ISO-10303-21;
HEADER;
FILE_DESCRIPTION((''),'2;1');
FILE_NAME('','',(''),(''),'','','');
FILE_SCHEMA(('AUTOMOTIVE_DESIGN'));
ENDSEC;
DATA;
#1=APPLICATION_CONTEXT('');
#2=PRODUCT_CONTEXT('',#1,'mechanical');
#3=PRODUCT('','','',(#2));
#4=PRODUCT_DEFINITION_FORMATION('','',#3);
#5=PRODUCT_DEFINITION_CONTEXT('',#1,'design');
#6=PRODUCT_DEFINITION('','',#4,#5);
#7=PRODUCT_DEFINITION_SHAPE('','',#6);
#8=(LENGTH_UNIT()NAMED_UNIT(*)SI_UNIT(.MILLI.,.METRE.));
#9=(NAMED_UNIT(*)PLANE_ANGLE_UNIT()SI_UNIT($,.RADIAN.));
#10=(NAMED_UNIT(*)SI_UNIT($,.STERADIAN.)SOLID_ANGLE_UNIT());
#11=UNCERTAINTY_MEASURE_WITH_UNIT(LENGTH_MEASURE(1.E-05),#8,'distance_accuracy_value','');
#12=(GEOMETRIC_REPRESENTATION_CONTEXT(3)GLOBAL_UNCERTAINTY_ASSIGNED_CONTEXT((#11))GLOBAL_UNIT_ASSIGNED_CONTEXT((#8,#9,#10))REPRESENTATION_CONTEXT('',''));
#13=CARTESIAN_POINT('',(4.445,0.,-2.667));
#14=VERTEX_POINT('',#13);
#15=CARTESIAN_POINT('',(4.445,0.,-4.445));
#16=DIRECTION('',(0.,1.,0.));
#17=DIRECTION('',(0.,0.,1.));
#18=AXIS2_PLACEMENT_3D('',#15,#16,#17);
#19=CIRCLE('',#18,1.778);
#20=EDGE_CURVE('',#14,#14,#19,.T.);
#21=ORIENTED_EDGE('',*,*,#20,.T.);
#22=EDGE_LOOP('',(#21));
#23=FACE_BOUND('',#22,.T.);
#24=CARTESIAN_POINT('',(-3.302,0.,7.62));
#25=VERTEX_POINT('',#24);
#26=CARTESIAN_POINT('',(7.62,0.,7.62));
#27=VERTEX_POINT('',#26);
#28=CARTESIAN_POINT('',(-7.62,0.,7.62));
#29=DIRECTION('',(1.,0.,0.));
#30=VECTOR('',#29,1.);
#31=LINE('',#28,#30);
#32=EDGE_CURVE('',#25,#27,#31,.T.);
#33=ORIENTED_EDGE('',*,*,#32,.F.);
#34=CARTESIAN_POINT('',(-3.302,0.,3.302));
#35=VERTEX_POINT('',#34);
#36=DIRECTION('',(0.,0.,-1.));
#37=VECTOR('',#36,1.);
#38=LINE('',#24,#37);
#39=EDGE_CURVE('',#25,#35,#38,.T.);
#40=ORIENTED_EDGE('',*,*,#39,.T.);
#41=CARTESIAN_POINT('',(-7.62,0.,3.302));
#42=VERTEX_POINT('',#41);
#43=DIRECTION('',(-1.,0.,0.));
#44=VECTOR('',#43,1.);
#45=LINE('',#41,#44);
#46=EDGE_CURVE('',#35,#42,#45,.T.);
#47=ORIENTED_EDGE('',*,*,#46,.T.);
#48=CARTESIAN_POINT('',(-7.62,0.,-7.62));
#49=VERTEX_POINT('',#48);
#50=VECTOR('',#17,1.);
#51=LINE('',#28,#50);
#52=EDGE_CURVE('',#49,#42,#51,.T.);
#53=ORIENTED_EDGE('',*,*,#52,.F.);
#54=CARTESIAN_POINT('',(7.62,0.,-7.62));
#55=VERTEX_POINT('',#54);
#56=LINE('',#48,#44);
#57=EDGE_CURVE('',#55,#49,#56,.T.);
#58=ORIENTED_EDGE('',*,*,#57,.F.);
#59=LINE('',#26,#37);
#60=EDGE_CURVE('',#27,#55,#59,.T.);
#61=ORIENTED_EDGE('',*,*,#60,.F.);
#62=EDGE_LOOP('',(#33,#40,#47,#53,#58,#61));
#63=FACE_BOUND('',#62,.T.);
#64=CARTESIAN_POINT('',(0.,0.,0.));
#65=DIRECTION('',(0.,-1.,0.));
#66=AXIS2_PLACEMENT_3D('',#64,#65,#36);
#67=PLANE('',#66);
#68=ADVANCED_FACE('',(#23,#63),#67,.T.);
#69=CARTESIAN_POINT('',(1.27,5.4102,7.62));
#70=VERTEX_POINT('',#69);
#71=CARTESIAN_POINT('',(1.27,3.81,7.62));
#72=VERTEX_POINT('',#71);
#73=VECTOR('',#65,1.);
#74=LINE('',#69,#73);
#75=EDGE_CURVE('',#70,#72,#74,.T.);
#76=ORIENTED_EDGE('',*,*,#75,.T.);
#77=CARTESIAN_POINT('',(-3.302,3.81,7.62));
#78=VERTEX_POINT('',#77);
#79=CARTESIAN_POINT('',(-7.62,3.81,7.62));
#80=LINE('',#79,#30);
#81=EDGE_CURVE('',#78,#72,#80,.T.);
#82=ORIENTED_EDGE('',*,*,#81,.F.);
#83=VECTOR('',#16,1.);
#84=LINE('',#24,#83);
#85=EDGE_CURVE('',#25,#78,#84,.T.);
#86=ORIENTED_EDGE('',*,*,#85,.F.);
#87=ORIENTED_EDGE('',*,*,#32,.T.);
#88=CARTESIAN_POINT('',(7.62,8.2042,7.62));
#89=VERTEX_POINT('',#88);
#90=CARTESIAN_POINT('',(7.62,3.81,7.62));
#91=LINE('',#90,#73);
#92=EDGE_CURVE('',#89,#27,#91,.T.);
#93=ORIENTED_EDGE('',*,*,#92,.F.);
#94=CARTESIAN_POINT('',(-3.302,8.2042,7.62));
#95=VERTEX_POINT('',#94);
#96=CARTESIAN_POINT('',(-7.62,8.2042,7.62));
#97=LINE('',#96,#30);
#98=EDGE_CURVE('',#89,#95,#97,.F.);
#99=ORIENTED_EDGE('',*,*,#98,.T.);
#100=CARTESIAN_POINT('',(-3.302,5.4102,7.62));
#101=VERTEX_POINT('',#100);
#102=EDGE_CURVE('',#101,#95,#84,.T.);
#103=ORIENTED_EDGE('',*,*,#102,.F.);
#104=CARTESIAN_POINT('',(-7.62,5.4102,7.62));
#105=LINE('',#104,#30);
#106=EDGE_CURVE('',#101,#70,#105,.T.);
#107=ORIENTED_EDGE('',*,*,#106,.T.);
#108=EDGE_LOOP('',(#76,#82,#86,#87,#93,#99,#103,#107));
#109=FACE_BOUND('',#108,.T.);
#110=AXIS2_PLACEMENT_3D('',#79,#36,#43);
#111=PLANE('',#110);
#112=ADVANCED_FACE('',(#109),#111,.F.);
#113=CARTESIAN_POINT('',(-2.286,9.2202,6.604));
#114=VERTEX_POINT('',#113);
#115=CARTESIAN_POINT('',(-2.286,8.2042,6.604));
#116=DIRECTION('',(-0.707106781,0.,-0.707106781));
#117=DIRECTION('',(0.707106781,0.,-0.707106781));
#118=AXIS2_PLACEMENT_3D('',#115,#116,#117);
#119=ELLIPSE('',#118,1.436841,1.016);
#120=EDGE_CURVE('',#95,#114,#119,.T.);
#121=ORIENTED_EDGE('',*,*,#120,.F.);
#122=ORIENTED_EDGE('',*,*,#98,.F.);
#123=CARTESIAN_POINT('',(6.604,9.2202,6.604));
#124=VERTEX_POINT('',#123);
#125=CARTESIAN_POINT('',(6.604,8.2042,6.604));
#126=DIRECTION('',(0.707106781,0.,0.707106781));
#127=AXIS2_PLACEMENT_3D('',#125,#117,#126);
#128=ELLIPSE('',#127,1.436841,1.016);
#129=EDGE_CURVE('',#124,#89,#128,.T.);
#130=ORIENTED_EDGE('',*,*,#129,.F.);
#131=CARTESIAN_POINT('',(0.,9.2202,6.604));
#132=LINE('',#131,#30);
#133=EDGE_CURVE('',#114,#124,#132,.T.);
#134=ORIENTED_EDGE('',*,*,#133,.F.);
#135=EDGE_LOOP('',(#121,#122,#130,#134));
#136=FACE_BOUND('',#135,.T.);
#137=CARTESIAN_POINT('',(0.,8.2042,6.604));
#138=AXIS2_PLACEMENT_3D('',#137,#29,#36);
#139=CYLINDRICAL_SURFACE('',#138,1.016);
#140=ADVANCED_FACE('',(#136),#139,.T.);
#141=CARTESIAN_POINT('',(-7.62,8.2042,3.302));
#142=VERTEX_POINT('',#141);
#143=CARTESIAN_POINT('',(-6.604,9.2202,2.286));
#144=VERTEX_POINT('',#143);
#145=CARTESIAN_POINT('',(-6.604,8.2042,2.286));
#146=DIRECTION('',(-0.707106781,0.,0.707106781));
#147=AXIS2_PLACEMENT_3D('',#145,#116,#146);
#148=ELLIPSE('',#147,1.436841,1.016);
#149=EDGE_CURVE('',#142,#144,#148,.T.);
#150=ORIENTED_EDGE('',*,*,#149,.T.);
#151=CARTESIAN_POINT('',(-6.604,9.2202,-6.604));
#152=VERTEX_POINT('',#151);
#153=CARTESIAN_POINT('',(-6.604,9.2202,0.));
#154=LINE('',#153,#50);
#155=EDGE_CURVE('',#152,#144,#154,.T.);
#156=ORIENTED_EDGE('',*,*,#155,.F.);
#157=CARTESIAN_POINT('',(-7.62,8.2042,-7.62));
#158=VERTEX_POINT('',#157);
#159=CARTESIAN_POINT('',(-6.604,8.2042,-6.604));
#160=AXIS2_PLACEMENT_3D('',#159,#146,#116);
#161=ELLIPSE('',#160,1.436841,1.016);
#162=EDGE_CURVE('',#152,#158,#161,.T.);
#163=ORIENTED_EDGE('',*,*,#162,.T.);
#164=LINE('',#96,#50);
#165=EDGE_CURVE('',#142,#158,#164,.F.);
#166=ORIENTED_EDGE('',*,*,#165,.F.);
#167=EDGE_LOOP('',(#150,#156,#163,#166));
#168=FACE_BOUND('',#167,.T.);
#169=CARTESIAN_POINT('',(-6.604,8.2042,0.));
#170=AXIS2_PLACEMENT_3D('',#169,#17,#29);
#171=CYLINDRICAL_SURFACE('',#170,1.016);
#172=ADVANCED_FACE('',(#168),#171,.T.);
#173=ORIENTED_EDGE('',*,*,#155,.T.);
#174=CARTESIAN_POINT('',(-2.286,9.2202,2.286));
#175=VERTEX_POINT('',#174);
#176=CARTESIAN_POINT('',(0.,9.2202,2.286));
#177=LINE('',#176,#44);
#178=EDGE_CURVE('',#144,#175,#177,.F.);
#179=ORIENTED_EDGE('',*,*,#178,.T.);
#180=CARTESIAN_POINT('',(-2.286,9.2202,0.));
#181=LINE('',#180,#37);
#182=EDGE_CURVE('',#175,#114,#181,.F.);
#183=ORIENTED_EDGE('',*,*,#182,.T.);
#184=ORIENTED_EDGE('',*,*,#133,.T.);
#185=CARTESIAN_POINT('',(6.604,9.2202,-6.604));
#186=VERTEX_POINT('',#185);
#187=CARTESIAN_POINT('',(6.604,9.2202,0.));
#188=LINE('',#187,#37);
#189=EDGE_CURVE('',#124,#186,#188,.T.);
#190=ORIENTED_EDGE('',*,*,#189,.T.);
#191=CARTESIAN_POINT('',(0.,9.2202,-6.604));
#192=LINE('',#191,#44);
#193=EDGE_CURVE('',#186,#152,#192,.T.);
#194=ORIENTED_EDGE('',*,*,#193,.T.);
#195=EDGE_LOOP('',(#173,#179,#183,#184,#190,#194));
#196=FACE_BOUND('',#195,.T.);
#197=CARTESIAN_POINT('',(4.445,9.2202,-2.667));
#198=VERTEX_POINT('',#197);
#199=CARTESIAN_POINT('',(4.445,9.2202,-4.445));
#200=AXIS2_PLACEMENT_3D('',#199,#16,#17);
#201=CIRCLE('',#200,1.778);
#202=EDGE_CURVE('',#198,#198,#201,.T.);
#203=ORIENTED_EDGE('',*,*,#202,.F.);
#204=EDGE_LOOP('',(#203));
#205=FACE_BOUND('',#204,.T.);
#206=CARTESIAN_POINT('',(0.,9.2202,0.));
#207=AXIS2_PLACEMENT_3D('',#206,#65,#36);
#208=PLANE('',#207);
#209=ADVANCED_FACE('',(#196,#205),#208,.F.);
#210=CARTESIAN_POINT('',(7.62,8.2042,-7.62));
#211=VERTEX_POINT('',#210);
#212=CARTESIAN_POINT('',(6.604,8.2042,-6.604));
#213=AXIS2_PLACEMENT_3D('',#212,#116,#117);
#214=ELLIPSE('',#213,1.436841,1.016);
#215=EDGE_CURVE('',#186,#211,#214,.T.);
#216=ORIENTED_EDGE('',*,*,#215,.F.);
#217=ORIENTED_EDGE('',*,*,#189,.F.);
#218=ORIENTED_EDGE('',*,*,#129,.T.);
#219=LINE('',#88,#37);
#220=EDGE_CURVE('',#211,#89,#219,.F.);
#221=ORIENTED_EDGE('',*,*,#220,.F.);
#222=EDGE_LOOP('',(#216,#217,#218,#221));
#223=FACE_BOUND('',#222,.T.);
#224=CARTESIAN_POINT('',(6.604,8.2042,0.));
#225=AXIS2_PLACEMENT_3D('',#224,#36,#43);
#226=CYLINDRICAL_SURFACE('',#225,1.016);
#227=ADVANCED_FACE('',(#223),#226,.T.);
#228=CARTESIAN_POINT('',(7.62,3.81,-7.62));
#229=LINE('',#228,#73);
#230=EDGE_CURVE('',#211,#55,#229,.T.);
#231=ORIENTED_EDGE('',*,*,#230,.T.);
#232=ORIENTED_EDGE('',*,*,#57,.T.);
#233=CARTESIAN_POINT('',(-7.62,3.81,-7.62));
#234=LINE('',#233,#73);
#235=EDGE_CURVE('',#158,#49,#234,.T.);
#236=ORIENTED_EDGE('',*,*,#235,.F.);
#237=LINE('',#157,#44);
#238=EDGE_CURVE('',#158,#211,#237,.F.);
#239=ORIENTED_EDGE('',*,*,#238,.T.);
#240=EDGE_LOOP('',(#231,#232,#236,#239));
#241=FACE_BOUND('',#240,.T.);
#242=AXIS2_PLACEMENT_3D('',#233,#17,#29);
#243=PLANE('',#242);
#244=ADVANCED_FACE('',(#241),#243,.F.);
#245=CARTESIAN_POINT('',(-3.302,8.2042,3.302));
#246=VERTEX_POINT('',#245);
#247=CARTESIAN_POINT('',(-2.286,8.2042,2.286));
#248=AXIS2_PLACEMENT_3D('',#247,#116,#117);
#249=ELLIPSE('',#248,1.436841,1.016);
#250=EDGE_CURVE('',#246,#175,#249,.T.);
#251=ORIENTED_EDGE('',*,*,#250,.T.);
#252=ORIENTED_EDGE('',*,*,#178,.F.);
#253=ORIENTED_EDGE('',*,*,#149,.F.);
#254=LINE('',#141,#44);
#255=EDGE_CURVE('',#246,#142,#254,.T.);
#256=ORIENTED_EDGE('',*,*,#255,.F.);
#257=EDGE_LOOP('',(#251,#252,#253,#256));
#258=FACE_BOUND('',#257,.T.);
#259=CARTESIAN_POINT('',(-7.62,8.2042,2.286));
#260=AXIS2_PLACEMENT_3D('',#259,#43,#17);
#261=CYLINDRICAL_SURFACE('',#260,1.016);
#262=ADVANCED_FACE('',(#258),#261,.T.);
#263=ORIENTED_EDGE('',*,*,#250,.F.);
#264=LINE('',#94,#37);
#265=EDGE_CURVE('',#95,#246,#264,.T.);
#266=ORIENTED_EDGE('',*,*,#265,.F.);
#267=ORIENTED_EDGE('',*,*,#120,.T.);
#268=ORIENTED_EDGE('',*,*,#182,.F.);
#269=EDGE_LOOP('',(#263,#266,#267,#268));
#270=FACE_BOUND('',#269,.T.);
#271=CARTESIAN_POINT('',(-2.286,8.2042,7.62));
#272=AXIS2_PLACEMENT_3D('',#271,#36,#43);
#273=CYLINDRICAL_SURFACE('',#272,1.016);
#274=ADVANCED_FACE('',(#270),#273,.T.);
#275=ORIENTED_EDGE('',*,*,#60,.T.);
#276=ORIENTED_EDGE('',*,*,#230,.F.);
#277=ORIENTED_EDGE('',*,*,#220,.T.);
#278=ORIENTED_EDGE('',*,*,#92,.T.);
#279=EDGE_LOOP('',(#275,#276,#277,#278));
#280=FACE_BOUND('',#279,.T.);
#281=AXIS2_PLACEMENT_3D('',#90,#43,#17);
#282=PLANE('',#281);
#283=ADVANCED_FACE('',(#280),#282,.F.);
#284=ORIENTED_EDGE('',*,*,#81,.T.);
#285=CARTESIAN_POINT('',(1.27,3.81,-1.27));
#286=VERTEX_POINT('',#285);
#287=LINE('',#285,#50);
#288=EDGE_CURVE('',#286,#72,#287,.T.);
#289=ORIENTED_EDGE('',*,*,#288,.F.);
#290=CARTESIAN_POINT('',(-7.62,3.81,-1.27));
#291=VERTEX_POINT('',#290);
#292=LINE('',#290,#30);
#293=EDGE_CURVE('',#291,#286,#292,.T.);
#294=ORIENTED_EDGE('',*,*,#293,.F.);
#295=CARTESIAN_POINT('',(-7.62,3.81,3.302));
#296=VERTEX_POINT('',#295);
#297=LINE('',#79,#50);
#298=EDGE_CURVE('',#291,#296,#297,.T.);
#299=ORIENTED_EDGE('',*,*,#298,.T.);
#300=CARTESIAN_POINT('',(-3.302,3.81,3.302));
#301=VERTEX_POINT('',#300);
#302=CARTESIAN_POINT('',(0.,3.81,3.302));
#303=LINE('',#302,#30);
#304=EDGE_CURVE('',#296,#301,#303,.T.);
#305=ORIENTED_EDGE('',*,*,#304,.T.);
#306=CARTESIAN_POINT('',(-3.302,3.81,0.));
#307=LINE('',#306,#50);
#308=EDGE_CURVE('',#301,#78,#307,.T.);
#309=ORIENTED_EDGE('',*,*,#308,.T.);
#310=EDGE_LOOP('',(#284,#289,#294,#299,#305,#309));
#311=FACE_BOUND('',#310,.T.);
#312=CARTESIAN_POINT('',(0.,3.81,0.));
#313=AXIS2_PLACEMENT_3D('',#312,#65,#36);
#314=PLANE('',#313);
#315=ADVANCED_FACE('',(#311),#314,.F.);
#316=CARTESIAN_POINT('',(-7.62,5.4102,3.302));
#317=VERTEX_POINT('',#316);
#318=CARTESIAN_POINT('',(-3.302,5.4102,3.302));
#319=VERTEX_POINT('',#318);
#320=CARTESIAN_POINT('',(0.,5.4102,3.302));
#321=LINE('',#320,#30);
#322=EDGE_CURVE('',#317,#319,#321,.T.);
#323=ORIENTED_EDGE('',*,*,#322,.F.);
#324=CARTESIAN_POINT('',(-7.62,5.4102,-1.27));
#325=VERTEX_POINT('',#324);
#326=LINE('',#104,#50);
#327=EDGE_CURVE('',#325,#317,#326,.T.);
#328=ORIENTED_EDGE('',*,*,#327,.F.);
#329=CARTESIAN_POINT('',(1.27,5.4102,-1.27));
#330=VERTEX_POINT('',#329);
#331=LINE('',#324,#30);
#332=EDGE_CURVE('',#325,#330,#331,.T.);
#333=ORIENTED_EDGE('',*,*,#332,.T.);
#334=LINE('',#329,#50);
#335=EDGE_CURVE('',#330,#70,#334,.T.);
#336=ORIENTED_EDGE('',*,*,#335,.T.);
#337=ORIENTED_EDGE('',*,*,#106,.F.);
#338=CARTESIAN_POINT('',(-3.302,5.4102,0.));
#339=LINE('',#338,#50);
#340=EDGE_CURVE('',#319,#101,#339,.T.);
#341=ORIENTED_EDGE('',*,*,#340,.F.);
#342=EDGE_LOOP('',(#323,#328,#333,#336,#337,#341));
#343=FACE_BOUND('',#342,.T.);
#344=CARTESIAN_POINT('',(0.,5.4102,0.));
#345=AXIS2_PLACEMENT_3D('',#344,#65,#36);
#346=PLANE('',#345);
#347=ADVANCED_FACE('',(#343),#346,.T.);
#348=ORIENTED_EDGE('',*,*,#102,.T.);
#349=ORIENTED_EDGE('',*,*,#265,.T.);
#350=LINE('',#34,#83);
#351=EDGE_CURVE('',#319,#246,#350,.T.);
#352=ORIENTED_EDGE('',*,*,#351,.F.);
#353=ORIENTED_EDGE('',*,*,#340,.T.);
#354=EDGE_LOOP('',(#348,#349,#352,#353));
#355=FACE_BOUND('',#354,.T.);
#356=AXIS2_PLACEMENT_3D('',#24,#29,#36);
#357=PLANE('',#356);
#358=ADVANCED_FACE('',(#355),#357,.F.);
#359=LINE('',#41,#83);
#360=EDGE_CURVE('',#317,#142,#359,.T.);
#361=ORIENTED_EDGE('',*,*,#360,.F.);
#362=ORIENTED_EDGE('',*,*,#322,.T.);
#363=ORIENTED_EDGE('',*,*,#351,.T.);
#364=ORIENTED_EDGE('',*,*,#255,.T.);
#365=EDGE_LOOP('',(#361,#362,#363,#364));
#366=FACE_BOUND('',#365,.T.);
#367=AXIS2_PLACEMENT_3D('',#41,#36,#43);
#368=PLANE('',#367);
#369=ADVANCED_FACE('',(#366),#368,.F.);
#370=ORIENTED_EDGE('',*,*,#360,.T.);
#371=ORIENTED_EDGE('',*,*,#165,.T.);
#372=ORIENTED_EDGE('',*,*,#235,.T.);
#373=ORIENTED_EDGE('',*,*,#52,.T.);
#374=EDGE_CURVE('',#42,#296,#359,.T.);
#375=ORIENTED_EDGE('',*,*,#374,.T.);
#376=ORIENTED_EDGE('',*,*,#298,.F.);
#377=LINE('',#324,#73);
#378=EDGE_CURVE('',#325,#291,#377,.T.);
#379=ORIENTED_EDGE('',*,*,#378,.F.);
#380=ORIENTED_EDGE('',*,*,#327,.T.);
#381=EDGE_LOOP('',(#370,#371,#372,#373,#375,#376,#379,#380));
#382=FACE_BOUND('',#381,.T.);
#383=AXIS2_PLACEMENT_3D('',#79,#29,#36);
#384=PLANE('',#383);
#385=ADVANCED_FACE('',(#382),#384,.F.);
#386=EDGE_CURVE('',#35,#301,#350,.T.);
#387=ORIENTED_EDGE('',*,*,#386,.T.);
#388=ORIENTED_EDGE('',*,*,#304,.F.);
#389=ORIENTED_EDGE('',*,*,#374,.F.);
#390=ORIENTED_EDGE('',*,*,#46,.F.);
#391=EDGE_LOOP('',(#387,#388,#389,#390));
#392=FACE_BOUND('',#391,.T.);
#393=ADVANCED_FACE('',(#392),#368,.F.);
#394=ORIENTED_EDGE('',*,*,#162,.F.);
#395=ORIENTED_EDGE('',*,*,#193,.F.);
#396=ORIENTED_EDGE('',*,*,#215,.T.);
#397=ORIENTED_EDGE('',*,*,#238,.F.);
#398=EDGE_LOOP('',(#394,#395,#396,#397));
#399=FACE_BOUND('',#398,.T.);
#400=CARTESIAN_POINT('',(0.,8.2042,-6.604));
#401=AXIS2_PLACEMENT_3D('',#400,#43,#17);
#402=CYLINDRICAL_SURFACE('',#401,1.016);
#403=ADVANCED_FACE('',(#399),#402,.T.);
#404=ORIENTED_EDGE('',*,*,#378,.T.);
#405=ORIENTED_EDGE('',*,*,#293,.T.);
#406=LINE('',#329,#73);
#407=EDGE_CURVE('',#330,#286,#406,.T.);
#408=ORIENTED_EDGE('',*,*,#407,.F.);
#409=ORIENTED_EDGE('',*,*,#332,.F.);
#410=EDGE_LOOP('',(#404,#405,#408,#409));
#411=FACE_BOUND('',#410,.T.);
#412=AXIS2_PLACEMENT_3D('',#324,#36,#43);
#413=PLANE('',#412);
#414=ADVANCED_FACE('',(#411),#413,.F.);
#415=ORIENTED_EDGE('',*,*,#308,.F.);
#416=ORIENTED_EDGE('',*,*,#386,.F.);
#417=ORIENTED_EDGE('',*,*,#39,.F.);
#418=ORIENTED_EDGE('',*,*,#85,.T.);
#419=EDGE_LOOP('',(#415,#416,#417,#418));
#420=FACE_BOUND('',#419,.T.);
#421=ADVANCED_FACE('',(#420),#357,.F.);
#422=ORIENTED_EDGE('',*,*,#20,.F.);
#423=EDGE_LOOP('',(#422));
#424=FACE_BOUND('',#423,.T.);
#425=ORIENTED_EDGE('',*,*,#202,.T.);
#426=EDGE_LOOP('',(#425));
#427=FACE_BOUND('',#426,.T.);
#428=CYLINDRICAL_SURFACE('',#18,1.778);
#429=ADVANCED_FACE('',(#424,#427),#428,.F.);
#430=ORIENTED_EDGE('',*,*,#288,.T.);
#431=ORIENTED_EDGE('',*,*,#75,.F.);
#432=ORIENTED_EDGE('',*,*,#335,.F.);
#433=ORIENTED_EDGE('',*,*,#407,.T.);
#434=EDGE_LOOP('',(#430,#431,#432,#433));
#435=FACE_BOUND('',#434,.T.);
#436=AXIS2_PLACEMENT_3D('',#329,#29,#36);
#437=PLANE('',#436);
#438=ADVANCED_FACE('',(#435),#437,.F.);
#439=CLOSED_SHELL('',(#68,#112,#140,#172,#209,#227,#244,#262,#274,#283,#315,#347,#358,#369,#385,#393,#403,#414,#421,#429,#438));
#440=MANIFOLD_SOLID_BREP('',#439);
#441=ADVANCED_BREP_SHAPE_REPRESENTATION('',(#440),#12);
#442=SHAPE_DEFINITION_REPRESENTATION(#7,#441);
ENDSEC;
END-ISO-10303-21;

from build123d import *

# Parameters (mm, degrees)
SKETCH1_W           = 15.24
SKETCH1_H           = 15.24
BOSS_EXTRUDE1_DEPTH = 3.81
BOSS_EXTRUDE2_DEPTH = 1.6002
SKETCH3_W           = 15.24
SKETCH3_H           = 15.24
BOSS_EXTRUDE3_DEPTH = 3.81
SKETCH4_W           = 4.318
SKETCH4_H           = 4.318
CUT_EXTRUDE1_DEPTH  = 15.182414746
SKETCH5_R           = 1.778
CUT_EXTRUDE2_DEPTH  = 15.182414746
FILLET1_R           = 1.016


with BuildPart() as part:
    # Sketch1 → Boss-Extrude1 (new body)
    with BuildSketch(Plane(origin=(0, 0, 0), x_dir=(1, 0, 0), z_dir=(0, 1, 0))):
        Rectangle(SKETCH1_W, SKETCH1_H)
    extrude(amount=BOSS_EXTRUDE1_DEPTH)

    # Sketch2 → Boss-Extrude2 (add)
    with BuildSketch(Plane(origin=(0, 3.81, 0), x_dir=(1, 0, 0), z_dir=(0, 1, 0))):
        Polygon((-7.62, 7.62), (-7.62, 1.27), (1.27, 1.27), (1.27, -7.62), (7.62, -7.62), (7.62, 7.62), align=None)
    extrude(amount=BOSS_EXTRUDE2_DEPTH)

    # Sketch3 → Boss-Extrude3 (add)
    with BuildSketch(Plane(origin=(0, 5.4102, 0), x_dir=(1, 0, 0), z_dir=(0, 1, 0))):
        Rectangle(SKETCH3_W, SKETCH3_H)
    extrude(amount=BOSS_EXTRUDE3_DEPTH)

    # Sketch4 → Cut-Extrude1 (cut, through all)
    with BuildSketch(Plane(origin=(0, 9.2202, 0), x_dir=(1, 0, 0), z_dir=(0, 1, 0))):
        with Locations((-5.461, -5.461)):
            Rectangle(SKETCH4_W, SKETCH4_H)
    extrude(amount=-CUT_EXTRUDE1_DEPTH, mode=Mode.SUBTRACT)

    # Sketch5 → Cut-Extrude2 (cut, through all)
    with BuildSketch(Plane(origin=(0, 9.2202, 0), x_dir=(1, 0, 0), z_dir=(0, 1, 0))):
        with Locations(Location((4.445, 4.445, 0), (0, 0, 270))):
            Circle(SKETCH5_R)
    extrude(amount=-CUT_EXTRUDE2_DEPTH, mode=Mode.SUBTRACT)

    # Fillet1
    fillet1_edges = [part.edges().sort_by_distance(p)[0] for p in [
        (7.62, 9.2202, 0),
        (0, 9.2202, -7.62),
        (-7.62, 9.2202, -2.159),
        (2.159, 9.2202, 7.62),
        (-3.302, 9.2202, 5.461),
        (-5.461, 9.2202, 3.302),
    ]]
    fillet(fillet1_edges, radius=FILLET1_R)


solid = part.part
